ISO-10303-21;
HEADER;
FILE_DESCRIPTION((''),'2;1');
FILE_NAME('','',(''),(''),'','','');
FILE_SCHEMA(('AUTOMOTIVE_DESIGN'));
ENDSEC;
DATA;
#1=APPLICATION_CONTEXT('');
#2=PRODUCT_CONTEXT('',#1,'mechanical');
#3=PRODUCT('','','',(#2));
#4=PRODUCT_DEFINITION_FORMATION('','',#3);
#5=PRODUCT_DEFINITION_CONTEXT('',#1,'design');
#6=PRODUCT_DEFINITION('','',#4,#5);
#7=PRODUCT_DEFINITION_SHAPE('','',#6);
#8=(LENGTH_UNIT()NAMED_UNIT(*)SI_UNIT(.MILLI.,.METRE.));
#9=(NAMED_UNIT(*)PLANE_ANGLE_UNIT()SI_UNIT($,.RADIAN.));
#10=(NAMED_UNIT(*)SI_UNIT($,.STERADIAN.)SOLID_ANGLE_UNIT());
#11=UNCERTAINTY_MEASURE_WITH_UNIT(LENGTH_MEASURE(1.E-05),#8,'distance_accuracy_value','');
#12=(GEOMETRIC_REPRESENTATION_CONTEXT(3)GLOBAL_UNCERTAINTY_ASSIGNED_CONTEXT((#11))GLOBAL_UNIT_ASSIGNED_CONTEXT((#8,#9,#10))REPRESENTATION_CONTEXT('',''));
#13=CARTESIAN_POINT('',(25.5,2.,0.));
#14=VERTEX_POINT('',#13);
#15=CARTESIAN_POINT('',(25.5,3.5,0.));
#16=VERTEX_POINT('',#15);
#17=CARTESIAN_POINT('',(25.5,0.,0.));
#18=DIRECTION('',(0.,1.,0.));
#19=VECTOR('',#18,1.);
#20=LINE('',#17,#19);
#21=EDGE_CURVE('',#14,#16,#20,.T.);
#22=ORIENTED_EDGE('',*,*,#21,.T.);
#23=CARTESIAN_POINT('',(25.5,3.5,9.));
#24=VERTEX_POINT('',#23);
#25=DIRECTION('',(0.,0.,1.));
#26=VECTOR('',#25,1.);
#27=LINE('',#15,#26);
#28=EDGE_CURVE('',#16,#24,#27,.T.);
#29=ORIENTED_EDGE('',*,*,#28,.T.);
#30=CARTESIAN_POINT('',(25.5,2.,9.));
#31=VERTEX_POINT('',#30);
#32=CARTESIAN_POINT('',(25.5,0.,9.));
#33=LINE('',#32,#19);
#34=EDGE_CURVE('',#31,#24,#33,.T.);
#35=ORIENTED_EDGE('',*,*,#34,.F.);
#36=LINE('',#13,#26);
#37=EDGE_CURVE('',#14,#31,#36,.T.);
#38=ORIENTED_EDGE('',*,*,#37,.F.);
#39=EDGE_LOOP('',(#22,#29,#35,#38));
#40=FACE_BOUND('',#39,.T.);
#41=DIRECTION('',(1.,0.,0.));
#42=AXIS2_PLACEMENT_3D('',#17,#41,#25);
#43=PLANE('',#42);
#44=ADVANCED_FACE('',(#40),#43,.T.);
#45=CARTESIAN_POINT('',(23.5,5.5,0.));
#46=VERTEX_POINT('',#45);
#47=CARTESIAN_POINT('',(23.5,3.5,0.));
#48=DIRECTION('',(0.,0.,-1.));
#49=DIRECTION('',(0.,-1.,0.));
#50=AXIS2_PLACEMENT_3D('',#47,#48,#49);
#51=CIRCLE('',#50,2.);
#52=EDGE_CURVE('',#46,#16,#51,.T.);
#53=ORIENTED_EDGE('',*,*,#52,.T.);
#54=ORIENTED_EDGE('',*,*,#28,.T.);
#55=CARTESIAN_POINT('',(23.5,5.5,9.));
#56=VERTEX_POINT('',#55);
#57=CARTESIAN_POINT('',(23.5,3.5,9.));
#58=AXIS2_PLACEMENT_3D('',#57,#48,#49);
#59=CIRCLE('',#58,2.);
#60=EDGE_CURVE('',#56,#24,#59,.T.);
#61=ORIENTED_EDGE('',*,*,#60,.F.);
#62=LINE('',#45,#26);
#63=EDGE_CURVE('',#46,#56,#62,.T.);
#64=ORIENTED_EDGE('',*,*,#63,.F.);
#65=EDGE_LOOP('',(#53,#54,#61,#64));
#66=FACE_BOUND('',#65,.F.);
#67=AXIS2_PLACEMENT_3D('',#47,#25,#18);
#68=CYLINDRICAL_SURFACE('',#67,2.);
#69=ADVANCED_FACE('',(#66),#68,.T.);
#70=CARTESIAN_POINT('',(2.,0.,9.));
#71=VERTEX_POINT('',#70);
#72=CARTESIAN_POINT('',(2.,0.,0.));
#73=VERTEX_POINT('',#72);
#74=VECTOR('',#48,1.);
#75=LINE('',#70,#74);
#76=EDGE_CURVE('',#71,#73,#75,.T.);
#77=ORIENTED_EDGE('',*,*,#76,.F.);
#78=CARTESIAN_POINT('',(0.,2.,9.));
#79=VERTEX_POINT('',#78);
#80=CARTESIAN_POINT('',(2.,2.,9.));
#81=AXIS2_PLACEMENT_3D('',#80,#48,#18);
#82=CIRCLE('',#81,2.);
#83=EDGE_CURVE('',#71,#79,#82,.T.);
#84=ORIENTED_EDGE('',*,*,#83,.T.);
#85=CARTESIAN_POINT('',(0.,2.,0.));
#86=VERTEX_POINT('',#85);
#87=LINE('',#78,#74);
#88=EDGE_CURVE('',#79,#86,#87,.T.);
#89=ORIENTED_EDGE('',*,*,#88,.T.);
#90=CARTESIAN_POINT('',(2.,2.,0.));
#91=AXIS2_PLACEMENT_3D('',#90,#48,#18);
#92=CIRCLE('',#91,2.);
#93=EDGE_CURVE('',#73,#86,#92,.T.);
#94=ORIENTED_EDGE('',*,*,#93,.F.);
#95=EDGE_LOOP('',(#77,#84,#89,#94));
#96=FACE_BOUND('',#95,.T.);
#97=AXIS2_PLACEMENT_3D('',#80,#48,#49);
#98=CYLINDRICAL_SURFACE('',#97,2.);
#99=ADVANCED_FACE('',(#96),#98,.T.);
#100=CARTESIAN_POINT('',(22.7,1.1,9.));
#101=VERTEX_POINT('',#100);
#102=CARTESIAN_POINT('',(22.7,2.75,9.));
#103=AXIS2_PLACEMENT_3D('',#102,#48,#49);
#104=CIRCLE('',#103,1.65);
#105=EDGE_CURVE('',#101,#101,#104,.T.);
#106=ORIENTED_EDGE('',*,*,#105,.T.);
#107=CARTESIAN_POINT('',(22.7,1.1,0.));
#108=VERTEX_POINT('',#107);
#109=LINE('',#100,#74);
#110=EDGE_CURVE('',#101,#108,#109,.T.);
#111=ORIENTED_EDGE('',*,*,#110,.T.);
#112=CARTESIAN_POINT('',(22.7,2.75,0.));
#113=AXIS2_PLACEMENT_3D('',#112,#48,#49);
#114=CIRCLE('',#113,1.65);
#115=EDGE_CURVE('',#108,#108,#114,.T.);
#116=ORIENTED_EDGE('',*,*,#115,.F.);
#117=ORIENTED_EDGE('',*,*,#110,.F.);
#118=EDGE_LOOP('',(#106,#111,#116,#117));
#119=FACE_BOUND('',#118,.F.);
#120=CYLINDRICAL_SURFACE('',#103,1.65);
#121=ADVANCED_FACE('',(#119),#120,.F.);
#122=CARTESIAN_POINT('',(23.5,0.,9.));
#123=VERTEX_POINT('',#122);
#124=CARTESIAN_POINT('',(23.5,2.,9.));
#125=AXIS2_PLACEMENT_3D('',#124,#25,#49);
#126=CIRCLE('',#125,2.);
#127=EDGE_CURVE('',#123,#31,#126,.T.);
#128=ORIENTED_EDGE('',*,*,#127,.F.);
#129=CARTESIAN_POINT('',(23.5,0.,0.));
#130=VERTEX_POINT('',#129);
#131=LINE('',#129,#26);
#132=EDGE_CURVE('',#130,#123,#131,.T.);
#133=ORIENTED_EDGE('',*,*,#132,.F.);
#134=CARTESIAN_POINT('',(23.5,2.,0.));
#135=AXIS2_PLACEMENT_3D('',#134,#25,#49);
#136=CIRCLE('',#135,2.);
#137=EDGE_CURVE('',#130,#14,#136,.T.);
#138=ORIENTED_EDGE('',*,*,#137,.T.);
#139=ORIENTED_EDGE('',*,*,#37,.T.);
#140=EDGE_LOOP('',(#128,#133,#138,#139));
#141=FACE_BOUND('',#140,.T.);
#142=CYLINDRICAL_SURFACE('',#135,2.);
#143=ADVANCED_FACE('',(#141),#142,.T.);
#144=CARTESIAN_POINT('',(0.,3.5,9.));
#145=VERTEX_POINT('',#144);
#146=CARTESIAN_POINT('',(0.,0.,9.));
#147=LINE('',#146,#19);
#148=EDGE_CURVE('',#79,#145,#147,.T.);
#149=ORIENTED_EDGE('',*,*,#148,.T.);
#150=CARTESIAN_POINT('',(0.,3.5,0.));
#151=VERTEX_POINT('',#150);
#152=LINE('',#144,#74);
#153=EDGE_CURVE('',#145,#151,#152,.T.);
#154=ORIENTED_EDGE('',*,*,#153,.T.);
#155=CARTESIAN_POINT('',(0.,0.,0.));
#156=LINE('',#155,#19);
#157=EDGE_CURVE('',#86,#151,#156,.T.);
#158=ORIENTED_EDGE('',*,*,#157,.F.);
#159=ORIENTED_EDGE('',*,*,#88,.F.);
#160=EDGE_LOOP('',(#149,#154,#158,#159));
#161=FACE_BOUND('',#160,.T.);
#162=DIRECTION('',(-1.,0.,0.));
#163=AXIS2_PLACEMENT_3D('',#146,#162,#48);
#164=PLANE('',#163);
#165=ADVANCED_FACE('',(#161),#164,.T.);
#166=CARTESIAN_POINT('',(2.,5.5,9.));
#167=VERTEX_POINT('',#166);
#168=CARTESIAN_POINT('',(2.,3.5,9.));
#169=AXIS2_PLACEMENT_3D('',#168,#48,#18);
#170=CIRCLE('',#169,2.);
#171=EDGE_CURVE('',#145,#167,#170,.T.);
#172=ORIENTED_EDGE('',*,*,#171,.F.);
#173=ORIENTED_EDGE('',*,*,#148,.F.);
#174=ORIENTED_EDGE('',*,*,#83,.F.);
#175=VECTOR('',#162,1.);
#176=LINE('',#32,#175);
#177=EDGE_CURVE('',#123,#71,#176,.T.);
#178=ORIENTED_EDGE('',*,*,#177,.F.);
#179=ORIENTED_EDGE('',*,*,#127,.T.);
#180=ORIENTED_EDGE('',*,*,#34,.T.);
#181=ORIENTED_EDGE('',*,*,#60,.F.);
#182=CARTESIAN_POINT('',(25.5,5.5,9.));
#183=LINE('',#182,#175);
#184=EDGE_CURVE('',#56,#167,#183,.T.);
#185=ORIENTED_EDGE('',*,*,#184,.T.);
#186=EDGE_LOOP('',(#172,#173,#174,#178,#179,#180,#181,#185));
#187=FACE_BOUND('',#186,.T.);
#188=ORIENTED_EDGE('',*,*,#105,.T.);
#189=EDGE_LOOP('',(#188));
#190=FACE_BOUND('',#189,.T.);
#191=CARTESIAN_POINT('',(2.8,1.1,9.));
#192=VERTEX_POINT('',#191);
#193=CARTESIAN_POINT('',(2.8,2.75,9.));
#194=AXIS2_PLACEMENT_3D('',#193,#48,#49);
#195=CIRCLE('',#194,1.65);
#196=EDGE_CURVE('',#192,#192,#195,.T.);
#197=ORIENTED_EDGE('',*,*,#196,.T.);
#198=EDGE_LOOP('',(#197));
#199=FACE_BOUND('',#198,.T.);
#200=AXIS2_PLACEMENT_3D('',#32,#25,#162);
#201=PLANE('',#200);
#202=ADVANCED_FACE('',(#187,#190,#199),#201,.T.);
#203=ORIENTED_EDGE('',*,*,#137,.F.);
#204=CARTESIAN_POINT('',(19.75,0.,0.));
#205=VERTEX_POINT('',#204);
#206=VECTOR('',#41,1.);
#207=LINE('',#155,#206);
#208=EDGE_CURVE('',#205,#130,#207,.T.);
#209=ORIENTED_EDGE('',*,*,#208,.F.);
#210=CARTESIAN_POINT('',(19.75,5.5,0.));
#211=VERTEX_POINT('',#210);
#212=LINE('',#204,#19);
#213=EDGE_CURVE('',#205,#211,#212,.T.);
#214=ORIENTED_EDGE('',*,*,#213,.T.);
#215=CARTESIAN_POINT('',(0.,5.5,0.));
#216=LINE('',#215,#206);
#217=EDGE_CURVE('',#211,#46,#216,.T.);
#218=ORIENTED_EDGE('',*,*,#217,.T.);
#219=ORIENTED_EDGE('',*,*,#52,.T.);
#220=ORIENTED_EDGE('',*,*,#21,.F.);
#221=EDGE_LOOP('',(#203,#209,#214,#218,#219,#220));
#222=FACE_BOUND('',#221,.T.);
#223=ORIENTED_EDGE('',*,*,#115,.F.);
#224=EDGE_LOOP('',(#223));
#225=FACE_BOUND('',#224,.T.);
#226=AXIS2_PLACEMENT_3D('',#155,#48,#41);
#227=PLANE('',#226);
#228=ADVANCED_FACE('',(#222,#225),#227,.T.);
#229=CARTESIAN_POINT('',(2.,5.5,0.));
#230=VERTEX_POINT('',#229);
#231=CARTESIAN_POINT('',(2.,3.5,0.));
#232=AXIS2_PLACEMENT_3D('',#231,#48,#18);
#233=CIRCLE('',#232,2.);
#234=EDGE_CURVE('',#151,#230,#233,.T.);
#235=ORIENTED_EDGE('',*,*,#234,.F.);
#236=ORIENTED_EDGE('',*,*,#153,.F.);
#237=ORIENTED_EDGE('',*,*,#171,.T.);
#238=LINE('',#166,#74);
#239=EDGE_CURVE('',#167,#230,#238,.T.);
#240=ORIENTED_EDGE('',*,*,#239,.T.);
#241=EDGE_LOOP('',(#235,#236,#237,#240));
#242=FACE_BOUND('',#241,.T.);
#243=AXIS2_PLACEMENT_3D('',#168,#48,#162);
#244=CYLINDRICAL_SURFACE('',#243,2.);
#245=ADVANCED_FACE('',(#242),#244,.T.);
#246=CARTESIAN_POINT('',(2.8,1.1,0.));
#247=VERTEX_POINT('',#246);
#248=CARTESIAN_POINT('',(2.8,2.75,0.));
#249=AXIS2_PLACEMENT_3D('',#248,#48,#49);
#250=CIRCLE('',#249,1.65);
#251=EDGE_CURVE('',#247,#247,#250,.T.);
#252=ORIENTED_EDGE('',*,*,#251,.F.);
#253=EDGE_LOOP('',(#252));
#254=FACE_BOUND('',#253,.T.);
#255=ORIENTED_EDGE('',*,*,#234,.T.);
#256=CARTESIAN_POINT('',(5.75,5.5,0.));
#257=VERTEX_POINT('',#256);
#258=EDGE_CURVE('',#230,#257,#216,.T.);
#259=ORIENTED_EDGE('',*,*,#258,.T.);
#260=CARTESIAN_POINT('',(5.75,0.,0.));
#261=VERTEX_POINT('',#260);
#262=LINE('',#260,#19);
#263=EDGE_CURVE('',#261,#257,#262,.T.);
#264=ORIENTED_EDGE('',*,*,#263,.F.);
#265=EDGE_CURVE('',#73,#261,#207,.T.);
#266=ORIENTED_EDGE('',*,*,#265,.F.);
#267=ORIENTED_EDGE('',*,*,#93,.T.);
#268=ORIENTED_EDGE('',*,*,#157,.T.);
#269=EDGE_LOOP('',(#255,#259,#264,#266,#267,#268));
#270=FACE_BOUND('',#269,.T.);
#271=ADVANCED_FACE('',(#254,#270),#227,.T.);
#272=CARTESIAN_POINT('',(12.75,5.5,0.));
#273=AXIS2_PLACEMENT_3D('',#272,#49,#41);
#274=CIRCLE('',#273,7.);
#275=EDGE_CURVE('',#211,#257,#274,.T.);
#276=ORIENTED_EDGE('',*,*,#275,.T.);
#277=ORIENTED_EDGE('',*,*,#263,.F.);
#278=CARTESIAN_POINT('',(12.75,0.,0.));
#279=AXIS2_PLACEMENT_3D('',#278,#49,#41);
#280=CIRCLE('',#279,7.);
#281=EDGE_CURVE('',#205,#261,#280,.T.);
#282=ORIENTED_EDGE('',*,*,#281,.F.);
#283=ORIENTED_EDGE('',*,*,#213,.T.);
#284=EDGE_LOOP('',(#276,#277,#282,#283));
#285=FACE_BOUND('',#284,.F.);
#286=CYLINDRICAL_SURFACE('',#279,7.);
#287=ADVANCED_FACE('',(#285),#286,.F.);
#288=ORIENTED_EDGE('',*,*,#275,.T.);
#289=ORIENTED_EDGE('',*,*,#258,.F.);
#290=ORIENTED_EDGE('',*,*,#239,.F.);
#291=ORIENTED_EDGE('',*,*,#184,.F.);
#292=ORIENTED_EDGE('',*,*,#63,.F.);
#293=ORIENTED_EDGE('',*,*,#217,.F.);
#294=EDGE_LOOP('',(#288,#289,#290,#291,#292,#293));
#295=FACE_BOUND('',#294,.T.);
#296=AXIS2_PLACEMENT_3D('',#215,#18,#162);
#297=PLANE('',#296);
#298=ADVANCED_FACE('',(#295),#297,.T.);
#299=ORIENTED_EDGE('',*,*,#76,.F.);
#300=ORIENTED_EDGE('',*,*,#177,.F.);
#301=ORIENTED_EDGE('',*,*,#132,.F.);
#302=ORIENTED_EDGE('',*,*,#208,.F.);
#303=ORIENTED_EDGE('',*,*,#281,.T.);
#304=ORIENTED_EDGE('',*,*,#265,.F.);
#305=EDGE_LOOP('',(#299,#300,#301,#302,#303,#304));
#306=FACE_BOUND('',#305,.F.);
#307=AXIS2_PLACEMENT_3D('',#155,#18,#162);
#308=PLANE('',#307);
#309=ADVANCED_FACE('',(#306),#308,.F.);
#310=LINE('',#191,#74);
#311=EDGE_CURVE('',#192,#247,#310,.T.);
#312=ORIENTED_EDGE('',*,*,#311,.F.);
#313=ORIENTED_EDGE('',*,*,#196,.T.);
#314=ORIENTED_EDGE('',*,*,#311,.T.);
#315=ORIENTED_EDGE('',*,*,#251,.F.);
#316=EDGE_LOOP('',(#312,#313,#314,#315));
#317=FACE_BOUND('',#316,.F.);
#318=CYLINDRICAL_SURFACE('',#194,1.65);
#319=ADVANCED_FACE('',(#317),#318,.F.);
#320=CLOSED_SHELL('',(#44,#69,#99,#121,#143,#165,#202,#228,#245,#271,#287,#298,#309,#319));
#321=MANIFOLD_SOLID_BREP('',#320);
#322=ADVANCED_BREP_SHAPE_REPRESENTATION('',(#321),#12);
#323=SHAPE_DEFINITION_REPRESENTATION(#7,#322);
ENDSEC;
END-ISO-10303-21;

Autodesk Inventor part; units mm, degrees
ref_plane "YZ Plane" through (0, 0, 0) normal (1, 0, 0) x (0, 1, 0)
ref_plane "XZ Plane" through (0, 0, 0) normal (0, 1, 0) x (-1, 0, 0)
ref_plane "XY Plane" through (0, 0, 0) normal (0, 0, 1) x (1, 0, 0)
sketch "Skizze1" plane through (0, 0, 0) normal (0, 1, 0) x (-1, 0, 0)
  line L0 (0, 0) -> (-25.5, 0)
  line L1 (-25.5, 0) -> (-25.5, 9)
  line L2 (-25.5, 9) -> (0, 9)
  line L3 (0, 9) -> (0, 0)
  dimension "d0" = 25.5
  dimension "d1" = 9
extrude "Extrusion1" add sketch "Skizze1" along normal blind 5.5
sketch "Skizze2" plane through (0, 0, 0) normal (0, -1, 0) x (1, 0, 0)
  line L0 (25.5, 0) -> (0, 0) projected
  arc A0 (19.75, 0) -> (5.75, 0) centre (12.75, 0) ccw
  dimension "d4" = 14
extrude "Extrusion2" cut sketch "Skizze2" against normal through all
sketch "Skizze5" plane through (0, 0, 9) normal (0, 0, 1) x (1, 0, 0)
  line L0 (0, 0) -> (0, 5.5) construction
  line L1 (0, 2.75) -> (25.5934, 2.75) construction
  line L2 (25.5, 0) -> (0, 0) construction
  line L3 (12.75, 0) -> (12.75, 5.5) construction
  line L4 (0, 5.5) -> (25.5, 5.5) construction
  point P0 (2.8, 2.75)
  point P1 (22.7, 2.75)
  dimension "d33" = 2.8
hole "Bohrung4" at (2.8, 2.75, 9) at (22.7, 2.75, 9) direction (0, 0, -1) diameter 3.3 end through all
fillet "Rundung1" radius 2 4 edges at (25.5, 0, 4.5) (25.5, 5.5, 4.5) (0, 0, 4.5) (0, 5.5, 4.5)
properties part number "Wellenhalterung_oben" material "ABS-Kunststoff"
